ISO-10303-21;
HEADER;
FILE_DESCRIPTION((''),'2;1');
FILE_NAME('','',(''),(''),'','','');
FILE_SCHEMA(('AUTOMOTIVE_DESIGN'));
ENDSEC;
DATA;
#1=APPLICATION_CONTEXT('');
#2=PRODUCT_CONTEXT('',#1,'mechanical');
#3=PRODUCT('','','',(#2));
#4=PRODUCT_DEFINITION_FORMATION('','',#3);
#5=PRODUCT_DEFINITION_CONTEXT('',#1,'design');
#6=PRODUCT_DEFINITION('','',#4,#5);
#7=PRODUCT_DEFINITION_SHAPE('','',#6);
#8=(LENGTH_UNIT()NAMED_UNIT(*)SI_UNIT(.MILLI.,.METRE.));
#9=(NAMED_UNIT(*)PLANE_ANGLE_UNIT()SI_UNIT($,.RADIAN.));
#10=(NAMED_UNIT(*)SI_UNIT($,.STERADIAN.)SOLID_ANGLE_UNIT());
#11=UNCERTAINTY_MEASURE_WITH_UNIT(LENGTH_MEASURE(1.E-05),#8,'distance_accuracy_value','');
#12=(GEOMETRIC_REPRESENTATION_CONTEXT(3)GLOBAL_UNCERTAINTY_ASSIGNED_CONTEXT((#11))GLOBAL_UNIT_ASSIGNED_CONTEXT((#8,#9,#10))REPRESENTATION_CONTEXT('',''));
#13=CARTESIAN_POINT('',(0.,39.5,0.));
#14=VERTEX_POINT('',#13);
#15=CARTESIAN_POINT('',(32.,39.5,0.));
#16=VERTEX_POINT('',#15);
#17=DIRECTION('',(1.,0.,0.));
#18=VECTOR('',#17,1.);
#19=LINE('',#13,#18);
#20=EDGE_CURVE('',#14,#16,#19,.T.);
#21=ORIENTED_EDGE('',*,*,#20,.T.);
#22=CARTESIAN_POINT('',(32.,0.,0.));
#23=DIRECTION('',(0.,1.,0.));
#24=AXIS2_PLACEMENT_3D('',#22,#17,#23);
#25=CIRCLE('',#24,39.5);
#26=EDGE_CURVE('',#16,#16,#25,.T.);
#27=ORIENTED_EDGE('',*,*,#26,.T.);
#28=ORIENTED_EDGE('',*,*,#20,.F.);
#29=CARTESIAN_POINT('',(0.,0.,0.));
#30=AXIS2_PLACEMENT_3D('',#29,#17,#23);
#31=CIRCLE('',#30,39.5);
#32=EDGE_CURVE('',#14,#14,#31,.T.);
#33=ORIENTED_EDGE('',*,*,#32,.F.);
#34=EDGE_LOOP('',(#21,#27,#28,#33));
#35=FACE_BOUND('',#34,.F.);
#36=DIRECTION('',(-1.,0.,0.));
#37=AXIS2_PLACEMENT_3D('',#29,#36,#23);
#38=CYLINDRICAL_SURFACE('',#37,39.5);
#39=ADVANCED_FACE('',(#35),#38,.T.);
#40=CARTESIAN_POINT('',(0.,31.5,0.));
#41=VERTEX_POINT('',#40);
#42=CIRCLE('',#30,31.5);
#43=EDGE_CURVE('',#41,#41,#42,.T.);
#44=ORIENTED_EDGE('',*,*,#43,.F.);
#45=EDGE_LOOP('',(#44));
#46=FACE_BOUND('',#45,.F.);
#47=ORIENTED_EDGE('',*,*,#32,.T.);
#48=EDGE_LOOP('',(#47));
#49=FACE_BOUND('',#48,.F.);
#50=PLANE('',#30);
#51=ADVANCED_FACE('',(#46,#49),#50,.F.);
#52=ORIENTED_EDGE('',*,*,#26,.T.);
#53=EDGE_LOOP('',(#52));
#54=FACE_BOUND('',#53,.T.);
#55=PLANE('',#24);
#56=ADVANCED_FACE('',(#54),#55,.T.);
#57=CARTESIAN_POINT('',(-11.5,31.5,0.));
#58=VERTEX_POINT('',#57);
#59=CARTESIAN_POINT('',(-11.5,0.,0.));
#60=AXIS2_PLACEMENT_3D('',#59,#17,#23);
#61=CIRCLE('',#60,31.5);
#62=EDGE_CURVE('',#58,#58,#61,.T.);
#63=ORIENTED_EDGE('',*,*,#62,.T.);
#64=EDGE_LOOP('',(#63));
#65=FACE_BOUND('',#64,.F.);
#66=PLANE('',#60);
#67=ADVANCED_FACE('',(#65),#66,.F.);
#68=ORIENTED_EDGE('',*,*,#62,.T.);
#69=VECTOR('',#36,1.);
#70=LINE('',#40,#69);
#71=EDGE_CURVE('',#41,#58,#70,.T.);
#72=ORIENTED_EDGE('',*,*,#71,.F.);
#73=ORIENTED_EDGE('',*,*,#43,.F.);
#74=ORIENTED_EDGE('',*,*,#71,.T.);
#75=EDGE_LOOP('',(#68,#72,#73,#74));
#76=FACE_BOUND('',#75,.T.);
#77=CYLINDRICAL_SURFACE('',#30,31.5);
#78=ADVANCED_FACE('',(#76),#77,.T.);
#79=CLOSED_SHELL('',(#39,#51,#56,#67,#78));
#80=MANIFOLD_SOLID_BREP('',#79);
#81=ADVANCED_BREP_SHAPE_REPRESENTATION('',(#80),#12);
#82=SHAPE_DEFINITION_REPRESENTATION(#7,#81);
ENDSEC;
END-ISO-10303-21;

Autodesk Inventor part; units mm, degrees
ref_plane "YZ Plane" through (0, 0, 0) normal (1, 0, 0) x (0, 1, 0)
ref_plane "XZ Plane" through (0, 0, 0) normal (0, 1, 0) x (-1, 0, 0)
ref_plane "XY Plane" through (0, 0, 0) normal (0, 0, 1) x (1, 0, 0)
sketch "Sketch1" plane through (0, 0, 0) normal (1, 0, 0) x (0, 1, 0)
  circle A0 centre (0, 0) radius 31.5
  circle A1 centre (0, 0) radius 39.5
  dimension "d0" = 79
  dimension "d1" = 63
extrude "Extrusion1" add sketch "Sketch1" against normal blind 11.5 contours A0
extrude "Extrusion2" add sketch "Sketch1" along normal blind 32 contours A0 | A1
properties part number "motor"
